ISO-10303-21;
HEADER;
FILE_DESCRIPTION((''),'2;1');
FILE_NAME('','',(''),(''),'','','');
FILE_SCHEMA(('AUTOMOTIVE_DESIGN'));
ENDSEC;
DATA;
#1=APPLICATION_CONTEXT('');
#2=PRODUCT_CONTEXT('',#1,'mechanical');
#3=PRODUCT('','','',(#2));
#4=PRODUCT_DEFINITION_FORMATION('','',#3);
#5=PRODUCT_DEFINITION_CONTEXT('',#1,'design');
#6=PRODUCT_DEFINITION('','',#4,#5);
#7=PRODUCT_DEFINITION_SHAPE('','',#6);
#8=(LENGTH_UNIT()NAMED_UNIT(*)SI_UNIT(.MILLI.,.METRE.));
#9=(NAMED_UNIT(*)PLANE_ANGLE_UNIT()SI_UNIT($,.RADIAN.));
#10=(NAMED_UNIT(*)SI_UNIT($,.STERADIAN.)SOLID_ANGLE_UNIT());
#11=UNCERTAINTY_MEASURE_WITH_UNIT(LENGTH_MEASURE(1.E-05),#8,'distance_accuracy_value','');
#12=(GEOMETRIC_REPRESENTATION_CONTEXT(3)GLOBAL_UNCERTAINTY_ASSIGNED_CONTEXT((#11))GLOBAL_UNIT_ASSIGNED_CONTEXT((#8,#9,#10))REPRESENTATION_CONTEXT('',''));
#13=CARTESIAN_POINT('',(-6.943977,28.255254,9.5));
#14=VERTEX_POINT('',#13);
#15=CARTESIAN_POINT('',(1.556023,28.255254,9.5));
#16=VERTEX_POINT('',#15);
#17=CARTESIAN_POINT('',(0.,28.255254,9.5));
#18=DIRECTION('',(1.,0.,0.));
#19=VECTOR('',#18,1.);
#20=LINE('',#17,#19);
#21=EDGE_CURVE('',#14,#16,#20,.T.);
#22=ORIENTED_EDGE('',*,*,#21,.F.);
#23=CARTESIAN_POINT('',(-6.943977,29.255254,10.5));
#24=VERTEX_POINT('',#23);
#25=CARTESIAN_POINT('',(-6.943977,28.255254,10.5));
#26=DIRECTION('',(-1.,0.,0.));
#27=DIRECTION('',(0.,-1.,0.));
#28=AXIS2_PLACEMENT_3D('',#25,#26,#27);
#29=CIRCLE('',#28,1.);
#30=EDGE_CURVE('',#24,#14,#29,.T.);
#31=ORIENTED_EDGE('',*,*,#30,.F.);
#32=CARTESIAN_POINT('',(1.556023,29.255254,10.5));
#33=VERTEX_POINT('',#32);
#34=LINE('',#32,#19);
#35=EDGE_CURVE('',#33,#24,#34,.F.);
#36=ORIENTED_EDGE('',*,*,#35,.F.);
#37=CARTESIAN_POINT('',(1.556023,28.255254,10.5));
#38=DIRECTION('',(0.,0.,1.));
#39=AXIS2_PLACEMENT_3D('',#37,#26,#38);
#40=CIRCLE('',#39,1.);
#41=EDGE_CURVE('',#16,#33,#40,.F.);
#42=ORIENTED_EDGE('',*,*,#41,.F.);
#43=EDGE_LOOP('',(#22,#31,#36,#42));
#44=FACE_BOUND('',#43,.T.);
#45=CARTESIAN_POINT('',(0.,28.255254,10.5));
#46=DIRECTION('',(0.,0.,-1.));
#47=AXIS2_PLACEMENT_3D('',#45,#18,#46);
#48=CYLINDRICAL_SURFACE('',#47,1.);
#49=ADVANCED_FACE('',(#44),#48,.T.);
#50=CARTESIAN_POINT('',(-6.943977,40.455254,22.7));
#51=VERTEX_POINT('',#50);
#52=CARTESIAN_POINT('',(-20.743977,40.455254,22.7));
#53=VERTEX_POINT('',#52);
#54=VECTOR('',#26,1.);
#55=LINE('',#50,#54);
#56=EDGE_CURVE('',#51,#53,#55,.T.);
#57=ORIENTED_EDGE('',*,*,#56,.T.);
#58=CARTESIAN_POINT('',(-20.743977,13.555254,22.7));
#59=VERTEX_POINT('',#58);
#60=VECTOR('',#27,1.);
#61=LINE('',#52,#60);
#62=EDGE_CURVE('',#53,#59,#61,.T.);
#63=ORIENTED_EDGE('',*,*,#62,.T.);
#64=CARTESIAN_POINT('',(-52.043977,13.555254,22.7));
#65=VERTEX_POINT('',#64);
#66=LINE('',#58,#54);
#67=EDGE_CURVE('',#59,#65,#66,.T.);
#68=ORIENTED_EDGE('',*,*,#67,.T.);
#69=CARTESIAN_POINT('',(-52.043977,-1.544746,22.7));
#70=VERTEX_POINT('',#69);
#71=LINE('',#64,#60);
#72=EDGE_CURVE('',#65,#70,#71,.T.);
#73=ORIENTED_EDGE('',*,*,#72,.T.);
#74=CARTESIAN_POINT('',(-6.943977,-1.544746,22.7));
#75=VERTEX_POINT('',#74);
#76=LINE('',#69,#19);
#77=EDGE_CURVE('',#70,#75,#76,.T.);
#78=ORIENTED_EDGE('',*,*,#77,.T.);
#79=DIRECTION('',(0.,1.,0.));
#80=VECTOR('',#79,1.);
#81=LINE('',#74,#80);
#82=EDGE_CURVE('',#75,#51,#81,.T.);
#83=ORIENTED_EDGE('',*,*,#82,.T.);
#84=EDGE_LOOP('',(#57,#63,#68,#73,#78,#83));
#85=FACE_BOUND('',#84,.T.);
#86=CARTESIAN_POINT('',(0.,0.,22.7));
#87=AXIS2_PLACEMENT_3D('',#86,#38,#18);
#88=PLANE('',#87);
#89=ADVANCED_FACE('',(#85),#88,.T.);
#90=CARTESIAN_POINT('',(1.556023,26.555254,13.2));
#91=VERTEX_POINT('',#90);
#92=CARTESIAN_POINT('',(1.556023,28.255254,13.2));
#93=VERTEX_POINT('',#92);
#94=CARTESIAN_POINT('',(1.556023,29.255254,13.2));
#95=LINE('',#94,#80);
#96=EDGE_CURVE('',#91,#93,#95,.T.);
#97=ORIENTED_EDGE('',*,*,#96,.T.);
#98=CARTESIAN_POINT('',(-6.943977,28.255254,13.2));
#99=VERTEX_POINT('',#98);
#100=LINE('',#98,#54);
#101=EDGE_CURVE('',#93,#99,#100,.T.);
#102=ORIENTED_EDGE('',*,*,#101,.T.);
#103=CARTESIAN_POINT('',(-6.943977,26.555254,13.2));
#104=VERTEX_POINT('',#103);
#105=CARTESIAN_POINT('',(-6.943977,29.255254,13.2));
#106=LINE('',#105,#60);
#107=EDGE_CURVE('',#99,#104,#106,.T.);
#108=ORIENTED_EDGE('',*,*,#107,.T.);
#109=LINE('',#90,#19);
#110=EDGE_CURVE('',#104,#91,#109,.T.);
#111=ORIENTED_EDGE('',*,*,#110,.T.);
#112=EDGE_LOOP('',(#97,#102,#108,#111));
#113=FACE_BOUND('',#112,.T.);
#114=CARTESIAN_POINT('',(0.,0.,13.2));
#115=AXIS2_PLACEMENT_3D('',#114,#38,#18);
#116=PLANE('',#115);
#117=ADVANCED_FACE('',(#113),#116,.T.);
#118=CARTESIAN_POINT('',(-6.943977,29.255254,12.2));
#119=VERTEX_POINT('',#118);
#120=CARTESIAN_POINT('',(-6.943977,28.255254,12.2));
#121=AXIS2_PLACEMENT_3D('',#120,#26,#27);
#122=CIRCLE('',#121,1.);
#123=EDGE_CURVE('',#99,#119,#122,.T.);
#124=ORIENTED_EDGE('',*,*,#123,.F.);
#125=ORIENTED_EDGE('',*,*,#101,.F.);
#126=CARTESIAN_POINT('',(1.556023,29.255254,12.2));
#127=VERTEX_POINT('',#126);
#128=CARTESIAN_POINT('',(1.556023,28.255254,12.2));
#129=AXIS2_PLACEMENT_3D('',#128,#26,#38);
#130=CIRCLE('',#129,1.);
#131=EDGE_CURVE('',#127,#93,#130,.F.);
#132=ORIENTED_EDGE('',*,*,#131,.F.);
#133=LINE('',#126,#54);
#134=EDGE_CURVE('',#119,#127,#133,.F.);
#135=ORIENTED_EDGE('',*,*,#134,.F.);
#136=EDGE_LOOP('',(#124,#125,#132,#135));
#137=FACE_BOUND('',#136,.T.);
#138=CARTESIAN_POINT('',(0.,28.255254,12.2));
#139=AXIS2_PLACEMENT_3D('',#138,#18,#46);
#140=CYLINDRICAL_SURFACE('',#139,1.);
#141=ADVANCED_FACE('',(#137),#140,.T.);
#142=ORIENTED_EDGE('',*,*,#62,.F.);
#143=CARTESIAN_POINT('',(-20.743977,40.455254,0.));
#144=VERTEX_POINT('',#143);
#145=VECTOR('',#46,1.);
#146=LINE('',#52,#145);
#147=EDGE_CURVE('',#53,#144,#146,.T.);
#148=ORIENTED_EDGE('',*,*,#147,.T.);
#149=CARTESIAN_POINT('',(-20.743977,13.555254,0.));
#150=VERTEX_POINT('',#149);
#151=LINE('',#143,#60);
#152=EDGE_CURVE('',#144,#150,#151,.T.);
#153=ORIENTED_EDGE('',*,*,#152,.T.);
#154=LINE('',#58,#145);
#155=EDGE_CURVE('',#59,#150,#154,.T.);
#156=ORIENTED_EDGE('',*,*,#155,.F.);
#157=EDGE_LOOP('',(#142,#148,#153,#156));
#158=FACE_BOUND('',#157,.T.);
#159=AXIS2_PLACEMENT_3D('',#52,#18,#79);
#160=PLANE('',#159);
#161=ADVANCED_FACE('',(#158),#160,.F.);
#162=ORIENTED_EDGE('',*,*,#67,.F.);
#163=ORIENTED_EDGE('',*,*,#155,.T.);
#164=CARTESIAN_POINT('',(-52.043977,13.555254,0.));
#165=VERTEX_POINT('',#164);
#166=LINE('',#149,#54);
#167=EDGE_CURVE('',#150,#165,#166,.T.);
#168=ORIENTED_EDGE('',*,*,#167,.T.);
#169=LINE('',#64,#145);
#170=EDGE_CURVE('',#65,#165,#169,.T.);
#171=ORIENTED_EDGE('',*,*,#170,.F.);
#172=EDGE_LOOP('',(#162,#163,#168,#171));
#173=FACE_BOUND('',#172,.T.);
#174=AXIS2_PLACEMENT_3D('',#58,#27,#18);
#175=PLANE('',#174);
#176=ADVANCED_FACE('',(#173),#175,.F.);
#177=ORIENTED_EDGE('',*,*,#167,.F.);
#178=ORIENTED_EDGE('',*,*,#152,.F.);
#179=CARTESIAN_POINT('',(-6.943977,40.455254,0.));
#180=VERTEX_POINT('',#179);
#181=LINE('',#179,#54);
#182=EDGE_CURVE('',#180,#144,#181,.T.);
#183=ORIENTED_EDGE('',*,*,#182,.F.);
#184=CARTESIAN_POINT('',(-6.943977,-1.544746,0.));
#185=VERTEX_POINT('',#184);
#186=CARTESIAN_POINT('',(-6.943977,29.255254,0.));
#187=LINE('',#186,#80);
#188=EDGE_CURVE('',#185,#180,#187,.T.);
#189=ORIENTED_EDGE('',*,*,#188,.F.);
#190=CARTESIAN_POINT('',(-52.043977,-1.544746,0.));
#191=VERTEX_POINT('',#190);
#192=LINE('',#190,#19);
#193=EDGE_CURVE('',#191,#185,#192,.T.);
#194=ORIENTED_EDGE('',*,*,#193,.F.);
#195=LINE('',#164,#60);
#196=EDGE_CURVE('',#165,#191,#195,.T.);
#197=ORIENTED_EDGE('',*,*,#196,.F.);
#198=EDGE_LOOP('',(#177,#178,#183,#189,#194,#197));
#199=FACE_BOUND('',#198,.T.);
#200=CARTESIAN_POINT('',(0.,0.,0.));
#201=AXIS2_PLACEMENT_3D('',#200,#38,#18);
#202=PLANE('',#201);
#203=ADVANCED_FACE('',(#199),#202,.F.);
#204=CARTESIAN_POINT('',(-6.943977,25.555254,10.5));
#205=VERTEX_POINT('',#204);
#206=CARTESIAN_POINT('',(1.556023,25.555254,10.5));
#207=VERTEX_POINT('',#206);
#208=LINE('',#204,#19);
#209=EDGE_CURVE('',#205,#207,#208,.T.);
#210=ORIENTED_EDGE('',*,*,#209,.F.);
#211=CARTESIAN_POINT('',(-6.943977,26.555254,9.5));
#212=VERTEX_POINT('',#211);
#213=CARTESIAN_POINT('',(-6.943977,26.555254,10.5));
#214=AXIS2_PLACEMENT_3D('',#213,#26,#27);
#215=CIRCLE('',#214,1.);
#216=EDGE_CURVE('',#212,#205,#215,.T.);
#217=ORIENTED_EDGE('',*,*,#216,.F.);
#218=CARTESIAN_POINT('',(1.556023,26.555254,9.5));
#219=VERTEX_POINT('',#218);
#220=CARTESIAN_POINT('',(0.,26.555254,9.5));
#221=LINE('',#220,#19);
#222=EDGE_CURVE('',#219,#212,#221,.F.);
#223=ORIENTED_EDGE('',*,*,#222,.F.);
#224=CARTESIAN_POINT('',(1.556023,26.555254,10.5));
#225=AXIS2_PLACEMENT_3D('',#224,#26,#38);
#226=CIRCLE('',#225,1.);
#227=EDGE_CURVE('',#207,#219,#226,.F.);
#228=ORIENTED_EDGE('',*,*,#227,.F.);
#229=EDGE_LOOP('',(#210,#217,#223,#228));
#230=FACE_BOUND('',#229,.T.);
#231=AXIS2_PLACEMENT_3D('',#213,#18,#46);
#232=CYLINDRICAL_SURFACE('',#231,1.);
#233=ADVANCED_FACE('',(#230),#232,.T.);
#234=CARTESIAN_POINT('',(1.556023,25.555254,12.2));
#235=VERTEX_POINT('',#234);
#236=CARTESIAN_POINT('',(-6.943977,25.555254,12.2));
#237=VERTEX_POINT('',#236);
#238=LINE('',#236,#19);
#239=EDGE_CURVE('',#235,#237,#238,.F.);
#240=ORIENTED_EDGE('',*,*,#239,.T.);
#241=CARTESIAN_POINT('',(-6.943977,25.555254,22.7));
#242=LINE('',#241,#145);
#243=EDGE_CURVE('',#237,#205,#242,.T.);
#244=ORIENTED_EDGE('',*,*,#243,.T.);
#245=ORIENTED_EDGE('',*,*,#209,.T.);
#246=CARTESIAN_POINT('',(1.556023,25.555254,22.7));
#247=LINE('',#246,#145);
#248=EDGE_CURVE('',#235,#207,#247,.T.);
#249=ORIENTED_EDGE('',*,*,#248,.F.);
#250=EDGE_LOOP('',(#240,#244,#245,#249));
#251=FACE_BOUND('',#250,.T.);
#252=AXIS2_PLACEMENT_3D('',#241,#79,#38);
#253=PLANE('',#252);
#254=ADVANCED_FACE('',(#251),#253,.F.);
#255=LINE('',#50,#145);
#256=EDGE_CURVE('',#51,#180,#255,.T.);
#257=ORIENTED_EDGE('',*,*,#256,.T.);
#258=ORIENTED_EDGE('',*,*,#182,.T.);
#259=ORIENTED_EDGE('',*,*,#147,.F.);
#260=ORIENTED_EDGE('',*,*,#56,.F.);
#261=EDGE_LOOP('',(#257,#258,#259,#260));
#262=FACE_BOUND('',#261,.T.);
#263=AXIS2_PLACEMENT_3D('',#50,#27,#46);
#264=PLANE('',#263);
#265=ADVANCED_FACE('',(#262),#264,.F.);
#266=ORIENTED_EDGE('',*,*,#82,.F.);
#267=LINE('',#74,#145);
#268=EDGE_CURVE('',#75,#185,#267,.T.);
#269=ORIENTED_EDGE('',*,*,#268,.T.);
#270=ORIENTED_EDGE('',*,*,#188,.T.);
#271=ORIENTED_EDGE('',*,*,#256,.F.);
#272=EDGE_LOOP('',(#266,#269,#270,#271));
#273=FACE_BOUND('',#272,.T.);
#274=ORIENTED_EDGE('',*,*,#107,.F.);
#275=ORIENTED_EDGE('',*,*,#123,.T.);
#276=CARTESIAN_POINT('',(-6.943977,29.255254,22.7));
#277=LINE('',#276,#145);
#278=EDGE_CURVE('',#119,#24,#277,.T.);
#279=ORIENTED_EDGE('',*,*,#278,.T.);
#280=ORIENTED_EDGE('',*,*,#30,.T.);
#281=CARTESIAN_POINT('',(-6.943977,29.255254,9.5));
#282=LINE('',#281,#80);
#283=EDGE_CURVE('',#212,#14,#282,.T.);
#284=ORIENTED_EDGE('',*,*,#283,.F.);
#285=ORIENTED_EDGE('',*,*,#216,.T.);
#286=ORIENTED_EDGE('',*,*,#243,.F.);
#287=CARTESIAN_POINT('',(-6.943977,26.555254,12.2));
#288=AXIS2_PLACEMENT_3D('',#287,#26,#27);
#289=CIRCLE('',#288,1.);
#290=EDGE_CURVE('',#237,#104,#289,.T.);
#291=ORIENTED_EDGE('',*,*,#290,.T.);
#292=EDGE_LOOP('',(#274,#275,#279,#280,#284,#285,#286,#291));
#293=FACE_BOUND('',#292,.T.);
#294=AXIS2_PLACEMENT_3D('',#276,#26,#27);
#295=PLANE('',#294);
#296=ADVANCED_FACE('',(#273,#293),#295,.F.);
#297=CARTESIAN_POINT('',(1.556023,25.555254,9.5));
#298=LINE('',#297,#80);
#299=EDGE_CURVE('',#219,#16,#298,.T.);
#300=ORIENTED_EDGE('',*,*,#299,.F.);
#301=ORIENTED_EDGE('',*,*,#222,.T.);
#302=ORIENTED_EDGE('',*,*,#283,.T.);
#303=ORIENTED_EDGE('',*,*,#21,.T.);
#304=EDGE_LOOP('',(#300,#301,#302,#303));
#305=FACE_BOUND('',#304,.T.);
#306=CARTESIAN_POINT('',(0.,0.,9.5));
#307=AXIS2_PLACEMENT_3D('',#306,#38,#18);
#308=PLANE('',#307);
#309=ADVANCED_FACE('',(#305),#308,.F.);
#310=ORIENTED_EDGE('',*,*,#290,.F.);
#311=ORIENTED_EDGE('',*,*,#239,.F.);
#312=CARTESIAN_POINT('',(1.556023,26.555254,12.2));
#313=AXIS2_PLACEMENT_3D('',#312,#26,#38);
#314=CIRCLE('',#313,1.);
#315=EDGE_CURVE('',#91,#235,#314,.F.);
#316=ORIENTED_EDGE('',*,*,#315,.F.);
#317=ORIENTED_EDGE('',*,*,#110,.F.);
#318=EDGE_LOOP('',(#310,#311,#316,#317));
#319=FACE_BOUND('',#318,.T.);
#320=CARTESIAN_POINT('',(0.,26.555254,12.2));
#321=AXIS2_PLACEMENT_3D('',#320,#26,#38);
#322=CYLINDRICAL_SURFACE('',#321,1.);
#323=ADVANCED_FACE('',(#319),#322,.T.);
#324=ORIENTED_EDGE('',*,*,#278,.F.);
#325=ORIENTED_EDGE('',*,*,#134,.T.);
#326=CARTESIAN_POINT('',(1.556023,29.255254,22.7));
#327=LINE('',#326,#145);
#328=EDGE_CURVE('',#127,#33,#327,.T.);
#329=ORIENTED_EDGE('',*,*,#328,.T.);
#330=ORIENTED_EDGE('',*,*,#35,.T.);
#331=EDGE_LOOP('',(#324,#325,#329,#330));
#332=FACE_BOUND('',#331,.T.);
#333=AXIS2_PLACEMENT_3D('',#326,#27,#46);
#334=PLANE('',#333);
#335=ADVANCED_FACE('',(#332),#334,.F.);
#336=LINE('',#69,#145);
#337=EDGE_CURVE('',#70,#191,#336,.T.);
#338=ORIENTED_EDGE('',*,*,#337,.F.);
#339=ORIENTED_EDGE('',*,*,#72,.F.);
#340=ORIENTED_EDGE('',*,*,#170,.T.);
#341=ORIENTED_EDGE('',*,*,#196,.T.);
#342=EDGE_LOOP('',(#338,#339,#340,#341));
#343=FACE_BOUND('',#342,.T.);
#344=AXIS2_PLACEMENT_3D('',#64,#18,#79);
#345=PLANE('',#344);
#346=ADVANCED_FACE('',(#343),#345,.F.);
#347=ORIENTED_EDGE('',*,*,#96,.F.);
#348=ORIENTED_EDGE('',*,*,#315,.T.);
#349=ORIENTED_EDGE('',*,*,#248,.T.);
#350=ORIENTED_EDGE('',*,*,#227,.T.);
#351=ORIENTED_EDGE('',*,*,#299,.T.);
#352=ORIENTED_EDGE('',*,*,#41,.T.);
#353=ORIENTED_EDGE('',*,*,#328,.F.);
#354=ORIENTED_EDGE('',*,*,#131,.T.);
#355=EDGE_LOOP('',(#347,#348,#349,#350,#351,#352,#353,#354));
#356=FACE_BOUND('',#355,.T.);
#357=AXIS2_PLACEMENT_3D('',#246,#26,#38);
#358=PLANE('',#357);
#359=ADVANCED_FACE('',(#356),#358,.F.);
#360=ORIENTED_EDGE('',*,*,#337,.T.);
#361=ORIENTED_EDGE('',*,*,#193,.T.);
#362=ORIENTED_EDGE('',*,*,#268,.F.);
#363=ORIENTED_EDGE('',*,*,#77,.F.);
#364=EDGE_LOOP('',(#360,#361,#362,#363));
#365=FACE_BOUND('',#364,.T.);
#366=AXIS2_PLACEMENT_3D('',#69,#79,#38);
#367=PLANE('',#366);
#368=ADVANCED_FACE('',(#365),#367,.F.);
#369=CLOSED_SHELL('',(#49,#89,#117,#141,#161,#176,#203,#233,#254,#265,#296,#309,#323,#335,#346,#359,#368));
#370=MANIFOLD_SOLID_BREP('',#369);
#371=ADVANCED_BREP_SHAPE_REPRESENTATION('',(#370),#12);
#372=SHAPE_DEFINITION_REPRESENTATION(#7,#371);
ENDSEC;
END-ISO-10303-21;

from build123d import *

# Parameters (mm, degrees)
RESSALTO_EXTRUS_O1_DEPTH = 22.7
ESBO_O2_W                = 8.5
ESBO_O2_H                = 3.7
CORTE_EXTRUS_O1_DEPTH    = 9.5
ESBO_O3_W                = 8.527883753
ESBO_O3_H                = 4.058843418
CORTE_EXTRUS_O2_DEPTH    = 9.5
FILETE4_R                = 1


with BuildPart() as part:
    # Esboço1 → Ressalto-extrusão1 (new body)
    with BuildSketch(Plane.XY):
        Polygon((-52.043977441, 13.555253824), (-52.043977441, -1.544746176), (-6.943977441, -1.544746176), (-6.943977441, 25.555253824), (1.556022559, 25.555253824), (1.556022559, 29.255253824), (-6.943977441, 29.255253824), (-6.943977441, 40.455253824), (-20.743977441, 40.455253824), (-20.743977441, 13.555253824), align=None)
    extrude(amount=RESSALTO_EXTRUS_O1_DEPTH)

    # Esboço2 → Corte-extrusão1 (cut)
    with BuildSketch(Plane.XY.offset(22.7)):
        with Locations((-2.693977441, 27.405253824)):
            Rectangle(ESBO_O2_W, ESBO_O2_H)
    extrude(amount=-CORTE_EXTRUS_O1_DEPTH, mode=Mode.SUBTRACT)

    # Esboço3 → Corte-extrusão2 (cut)
    with BuildSketch(Plane(origin=(0, 0, 0), x_dir=(-1, 0, 0), z_dir=(0, 0, -1))):
        with Locations((2.680035565, 27.225832115)):
            Rectangle(ESBO_O3_W, ESBO_O3_H)
    extrude(amount=-CORTE_EXTRUS_O2_DEPTH, mode=Mode.SUBTRACT)

    # Filete4
    filete4_edges = [part.edges().sort_by_distance(p)[0] for p in [
        (-2.693977441, 29.255253824, 13.2),
        (-2.693977441, 25.555253824, 13.2),
        (-2.693977441, 25.555253824, 9.5),
        (-2.693977441, 29.255253824, 9.5),
    ]]
    fillet(filete4_edges, radius=FILETE4_R)


solid = part.part
